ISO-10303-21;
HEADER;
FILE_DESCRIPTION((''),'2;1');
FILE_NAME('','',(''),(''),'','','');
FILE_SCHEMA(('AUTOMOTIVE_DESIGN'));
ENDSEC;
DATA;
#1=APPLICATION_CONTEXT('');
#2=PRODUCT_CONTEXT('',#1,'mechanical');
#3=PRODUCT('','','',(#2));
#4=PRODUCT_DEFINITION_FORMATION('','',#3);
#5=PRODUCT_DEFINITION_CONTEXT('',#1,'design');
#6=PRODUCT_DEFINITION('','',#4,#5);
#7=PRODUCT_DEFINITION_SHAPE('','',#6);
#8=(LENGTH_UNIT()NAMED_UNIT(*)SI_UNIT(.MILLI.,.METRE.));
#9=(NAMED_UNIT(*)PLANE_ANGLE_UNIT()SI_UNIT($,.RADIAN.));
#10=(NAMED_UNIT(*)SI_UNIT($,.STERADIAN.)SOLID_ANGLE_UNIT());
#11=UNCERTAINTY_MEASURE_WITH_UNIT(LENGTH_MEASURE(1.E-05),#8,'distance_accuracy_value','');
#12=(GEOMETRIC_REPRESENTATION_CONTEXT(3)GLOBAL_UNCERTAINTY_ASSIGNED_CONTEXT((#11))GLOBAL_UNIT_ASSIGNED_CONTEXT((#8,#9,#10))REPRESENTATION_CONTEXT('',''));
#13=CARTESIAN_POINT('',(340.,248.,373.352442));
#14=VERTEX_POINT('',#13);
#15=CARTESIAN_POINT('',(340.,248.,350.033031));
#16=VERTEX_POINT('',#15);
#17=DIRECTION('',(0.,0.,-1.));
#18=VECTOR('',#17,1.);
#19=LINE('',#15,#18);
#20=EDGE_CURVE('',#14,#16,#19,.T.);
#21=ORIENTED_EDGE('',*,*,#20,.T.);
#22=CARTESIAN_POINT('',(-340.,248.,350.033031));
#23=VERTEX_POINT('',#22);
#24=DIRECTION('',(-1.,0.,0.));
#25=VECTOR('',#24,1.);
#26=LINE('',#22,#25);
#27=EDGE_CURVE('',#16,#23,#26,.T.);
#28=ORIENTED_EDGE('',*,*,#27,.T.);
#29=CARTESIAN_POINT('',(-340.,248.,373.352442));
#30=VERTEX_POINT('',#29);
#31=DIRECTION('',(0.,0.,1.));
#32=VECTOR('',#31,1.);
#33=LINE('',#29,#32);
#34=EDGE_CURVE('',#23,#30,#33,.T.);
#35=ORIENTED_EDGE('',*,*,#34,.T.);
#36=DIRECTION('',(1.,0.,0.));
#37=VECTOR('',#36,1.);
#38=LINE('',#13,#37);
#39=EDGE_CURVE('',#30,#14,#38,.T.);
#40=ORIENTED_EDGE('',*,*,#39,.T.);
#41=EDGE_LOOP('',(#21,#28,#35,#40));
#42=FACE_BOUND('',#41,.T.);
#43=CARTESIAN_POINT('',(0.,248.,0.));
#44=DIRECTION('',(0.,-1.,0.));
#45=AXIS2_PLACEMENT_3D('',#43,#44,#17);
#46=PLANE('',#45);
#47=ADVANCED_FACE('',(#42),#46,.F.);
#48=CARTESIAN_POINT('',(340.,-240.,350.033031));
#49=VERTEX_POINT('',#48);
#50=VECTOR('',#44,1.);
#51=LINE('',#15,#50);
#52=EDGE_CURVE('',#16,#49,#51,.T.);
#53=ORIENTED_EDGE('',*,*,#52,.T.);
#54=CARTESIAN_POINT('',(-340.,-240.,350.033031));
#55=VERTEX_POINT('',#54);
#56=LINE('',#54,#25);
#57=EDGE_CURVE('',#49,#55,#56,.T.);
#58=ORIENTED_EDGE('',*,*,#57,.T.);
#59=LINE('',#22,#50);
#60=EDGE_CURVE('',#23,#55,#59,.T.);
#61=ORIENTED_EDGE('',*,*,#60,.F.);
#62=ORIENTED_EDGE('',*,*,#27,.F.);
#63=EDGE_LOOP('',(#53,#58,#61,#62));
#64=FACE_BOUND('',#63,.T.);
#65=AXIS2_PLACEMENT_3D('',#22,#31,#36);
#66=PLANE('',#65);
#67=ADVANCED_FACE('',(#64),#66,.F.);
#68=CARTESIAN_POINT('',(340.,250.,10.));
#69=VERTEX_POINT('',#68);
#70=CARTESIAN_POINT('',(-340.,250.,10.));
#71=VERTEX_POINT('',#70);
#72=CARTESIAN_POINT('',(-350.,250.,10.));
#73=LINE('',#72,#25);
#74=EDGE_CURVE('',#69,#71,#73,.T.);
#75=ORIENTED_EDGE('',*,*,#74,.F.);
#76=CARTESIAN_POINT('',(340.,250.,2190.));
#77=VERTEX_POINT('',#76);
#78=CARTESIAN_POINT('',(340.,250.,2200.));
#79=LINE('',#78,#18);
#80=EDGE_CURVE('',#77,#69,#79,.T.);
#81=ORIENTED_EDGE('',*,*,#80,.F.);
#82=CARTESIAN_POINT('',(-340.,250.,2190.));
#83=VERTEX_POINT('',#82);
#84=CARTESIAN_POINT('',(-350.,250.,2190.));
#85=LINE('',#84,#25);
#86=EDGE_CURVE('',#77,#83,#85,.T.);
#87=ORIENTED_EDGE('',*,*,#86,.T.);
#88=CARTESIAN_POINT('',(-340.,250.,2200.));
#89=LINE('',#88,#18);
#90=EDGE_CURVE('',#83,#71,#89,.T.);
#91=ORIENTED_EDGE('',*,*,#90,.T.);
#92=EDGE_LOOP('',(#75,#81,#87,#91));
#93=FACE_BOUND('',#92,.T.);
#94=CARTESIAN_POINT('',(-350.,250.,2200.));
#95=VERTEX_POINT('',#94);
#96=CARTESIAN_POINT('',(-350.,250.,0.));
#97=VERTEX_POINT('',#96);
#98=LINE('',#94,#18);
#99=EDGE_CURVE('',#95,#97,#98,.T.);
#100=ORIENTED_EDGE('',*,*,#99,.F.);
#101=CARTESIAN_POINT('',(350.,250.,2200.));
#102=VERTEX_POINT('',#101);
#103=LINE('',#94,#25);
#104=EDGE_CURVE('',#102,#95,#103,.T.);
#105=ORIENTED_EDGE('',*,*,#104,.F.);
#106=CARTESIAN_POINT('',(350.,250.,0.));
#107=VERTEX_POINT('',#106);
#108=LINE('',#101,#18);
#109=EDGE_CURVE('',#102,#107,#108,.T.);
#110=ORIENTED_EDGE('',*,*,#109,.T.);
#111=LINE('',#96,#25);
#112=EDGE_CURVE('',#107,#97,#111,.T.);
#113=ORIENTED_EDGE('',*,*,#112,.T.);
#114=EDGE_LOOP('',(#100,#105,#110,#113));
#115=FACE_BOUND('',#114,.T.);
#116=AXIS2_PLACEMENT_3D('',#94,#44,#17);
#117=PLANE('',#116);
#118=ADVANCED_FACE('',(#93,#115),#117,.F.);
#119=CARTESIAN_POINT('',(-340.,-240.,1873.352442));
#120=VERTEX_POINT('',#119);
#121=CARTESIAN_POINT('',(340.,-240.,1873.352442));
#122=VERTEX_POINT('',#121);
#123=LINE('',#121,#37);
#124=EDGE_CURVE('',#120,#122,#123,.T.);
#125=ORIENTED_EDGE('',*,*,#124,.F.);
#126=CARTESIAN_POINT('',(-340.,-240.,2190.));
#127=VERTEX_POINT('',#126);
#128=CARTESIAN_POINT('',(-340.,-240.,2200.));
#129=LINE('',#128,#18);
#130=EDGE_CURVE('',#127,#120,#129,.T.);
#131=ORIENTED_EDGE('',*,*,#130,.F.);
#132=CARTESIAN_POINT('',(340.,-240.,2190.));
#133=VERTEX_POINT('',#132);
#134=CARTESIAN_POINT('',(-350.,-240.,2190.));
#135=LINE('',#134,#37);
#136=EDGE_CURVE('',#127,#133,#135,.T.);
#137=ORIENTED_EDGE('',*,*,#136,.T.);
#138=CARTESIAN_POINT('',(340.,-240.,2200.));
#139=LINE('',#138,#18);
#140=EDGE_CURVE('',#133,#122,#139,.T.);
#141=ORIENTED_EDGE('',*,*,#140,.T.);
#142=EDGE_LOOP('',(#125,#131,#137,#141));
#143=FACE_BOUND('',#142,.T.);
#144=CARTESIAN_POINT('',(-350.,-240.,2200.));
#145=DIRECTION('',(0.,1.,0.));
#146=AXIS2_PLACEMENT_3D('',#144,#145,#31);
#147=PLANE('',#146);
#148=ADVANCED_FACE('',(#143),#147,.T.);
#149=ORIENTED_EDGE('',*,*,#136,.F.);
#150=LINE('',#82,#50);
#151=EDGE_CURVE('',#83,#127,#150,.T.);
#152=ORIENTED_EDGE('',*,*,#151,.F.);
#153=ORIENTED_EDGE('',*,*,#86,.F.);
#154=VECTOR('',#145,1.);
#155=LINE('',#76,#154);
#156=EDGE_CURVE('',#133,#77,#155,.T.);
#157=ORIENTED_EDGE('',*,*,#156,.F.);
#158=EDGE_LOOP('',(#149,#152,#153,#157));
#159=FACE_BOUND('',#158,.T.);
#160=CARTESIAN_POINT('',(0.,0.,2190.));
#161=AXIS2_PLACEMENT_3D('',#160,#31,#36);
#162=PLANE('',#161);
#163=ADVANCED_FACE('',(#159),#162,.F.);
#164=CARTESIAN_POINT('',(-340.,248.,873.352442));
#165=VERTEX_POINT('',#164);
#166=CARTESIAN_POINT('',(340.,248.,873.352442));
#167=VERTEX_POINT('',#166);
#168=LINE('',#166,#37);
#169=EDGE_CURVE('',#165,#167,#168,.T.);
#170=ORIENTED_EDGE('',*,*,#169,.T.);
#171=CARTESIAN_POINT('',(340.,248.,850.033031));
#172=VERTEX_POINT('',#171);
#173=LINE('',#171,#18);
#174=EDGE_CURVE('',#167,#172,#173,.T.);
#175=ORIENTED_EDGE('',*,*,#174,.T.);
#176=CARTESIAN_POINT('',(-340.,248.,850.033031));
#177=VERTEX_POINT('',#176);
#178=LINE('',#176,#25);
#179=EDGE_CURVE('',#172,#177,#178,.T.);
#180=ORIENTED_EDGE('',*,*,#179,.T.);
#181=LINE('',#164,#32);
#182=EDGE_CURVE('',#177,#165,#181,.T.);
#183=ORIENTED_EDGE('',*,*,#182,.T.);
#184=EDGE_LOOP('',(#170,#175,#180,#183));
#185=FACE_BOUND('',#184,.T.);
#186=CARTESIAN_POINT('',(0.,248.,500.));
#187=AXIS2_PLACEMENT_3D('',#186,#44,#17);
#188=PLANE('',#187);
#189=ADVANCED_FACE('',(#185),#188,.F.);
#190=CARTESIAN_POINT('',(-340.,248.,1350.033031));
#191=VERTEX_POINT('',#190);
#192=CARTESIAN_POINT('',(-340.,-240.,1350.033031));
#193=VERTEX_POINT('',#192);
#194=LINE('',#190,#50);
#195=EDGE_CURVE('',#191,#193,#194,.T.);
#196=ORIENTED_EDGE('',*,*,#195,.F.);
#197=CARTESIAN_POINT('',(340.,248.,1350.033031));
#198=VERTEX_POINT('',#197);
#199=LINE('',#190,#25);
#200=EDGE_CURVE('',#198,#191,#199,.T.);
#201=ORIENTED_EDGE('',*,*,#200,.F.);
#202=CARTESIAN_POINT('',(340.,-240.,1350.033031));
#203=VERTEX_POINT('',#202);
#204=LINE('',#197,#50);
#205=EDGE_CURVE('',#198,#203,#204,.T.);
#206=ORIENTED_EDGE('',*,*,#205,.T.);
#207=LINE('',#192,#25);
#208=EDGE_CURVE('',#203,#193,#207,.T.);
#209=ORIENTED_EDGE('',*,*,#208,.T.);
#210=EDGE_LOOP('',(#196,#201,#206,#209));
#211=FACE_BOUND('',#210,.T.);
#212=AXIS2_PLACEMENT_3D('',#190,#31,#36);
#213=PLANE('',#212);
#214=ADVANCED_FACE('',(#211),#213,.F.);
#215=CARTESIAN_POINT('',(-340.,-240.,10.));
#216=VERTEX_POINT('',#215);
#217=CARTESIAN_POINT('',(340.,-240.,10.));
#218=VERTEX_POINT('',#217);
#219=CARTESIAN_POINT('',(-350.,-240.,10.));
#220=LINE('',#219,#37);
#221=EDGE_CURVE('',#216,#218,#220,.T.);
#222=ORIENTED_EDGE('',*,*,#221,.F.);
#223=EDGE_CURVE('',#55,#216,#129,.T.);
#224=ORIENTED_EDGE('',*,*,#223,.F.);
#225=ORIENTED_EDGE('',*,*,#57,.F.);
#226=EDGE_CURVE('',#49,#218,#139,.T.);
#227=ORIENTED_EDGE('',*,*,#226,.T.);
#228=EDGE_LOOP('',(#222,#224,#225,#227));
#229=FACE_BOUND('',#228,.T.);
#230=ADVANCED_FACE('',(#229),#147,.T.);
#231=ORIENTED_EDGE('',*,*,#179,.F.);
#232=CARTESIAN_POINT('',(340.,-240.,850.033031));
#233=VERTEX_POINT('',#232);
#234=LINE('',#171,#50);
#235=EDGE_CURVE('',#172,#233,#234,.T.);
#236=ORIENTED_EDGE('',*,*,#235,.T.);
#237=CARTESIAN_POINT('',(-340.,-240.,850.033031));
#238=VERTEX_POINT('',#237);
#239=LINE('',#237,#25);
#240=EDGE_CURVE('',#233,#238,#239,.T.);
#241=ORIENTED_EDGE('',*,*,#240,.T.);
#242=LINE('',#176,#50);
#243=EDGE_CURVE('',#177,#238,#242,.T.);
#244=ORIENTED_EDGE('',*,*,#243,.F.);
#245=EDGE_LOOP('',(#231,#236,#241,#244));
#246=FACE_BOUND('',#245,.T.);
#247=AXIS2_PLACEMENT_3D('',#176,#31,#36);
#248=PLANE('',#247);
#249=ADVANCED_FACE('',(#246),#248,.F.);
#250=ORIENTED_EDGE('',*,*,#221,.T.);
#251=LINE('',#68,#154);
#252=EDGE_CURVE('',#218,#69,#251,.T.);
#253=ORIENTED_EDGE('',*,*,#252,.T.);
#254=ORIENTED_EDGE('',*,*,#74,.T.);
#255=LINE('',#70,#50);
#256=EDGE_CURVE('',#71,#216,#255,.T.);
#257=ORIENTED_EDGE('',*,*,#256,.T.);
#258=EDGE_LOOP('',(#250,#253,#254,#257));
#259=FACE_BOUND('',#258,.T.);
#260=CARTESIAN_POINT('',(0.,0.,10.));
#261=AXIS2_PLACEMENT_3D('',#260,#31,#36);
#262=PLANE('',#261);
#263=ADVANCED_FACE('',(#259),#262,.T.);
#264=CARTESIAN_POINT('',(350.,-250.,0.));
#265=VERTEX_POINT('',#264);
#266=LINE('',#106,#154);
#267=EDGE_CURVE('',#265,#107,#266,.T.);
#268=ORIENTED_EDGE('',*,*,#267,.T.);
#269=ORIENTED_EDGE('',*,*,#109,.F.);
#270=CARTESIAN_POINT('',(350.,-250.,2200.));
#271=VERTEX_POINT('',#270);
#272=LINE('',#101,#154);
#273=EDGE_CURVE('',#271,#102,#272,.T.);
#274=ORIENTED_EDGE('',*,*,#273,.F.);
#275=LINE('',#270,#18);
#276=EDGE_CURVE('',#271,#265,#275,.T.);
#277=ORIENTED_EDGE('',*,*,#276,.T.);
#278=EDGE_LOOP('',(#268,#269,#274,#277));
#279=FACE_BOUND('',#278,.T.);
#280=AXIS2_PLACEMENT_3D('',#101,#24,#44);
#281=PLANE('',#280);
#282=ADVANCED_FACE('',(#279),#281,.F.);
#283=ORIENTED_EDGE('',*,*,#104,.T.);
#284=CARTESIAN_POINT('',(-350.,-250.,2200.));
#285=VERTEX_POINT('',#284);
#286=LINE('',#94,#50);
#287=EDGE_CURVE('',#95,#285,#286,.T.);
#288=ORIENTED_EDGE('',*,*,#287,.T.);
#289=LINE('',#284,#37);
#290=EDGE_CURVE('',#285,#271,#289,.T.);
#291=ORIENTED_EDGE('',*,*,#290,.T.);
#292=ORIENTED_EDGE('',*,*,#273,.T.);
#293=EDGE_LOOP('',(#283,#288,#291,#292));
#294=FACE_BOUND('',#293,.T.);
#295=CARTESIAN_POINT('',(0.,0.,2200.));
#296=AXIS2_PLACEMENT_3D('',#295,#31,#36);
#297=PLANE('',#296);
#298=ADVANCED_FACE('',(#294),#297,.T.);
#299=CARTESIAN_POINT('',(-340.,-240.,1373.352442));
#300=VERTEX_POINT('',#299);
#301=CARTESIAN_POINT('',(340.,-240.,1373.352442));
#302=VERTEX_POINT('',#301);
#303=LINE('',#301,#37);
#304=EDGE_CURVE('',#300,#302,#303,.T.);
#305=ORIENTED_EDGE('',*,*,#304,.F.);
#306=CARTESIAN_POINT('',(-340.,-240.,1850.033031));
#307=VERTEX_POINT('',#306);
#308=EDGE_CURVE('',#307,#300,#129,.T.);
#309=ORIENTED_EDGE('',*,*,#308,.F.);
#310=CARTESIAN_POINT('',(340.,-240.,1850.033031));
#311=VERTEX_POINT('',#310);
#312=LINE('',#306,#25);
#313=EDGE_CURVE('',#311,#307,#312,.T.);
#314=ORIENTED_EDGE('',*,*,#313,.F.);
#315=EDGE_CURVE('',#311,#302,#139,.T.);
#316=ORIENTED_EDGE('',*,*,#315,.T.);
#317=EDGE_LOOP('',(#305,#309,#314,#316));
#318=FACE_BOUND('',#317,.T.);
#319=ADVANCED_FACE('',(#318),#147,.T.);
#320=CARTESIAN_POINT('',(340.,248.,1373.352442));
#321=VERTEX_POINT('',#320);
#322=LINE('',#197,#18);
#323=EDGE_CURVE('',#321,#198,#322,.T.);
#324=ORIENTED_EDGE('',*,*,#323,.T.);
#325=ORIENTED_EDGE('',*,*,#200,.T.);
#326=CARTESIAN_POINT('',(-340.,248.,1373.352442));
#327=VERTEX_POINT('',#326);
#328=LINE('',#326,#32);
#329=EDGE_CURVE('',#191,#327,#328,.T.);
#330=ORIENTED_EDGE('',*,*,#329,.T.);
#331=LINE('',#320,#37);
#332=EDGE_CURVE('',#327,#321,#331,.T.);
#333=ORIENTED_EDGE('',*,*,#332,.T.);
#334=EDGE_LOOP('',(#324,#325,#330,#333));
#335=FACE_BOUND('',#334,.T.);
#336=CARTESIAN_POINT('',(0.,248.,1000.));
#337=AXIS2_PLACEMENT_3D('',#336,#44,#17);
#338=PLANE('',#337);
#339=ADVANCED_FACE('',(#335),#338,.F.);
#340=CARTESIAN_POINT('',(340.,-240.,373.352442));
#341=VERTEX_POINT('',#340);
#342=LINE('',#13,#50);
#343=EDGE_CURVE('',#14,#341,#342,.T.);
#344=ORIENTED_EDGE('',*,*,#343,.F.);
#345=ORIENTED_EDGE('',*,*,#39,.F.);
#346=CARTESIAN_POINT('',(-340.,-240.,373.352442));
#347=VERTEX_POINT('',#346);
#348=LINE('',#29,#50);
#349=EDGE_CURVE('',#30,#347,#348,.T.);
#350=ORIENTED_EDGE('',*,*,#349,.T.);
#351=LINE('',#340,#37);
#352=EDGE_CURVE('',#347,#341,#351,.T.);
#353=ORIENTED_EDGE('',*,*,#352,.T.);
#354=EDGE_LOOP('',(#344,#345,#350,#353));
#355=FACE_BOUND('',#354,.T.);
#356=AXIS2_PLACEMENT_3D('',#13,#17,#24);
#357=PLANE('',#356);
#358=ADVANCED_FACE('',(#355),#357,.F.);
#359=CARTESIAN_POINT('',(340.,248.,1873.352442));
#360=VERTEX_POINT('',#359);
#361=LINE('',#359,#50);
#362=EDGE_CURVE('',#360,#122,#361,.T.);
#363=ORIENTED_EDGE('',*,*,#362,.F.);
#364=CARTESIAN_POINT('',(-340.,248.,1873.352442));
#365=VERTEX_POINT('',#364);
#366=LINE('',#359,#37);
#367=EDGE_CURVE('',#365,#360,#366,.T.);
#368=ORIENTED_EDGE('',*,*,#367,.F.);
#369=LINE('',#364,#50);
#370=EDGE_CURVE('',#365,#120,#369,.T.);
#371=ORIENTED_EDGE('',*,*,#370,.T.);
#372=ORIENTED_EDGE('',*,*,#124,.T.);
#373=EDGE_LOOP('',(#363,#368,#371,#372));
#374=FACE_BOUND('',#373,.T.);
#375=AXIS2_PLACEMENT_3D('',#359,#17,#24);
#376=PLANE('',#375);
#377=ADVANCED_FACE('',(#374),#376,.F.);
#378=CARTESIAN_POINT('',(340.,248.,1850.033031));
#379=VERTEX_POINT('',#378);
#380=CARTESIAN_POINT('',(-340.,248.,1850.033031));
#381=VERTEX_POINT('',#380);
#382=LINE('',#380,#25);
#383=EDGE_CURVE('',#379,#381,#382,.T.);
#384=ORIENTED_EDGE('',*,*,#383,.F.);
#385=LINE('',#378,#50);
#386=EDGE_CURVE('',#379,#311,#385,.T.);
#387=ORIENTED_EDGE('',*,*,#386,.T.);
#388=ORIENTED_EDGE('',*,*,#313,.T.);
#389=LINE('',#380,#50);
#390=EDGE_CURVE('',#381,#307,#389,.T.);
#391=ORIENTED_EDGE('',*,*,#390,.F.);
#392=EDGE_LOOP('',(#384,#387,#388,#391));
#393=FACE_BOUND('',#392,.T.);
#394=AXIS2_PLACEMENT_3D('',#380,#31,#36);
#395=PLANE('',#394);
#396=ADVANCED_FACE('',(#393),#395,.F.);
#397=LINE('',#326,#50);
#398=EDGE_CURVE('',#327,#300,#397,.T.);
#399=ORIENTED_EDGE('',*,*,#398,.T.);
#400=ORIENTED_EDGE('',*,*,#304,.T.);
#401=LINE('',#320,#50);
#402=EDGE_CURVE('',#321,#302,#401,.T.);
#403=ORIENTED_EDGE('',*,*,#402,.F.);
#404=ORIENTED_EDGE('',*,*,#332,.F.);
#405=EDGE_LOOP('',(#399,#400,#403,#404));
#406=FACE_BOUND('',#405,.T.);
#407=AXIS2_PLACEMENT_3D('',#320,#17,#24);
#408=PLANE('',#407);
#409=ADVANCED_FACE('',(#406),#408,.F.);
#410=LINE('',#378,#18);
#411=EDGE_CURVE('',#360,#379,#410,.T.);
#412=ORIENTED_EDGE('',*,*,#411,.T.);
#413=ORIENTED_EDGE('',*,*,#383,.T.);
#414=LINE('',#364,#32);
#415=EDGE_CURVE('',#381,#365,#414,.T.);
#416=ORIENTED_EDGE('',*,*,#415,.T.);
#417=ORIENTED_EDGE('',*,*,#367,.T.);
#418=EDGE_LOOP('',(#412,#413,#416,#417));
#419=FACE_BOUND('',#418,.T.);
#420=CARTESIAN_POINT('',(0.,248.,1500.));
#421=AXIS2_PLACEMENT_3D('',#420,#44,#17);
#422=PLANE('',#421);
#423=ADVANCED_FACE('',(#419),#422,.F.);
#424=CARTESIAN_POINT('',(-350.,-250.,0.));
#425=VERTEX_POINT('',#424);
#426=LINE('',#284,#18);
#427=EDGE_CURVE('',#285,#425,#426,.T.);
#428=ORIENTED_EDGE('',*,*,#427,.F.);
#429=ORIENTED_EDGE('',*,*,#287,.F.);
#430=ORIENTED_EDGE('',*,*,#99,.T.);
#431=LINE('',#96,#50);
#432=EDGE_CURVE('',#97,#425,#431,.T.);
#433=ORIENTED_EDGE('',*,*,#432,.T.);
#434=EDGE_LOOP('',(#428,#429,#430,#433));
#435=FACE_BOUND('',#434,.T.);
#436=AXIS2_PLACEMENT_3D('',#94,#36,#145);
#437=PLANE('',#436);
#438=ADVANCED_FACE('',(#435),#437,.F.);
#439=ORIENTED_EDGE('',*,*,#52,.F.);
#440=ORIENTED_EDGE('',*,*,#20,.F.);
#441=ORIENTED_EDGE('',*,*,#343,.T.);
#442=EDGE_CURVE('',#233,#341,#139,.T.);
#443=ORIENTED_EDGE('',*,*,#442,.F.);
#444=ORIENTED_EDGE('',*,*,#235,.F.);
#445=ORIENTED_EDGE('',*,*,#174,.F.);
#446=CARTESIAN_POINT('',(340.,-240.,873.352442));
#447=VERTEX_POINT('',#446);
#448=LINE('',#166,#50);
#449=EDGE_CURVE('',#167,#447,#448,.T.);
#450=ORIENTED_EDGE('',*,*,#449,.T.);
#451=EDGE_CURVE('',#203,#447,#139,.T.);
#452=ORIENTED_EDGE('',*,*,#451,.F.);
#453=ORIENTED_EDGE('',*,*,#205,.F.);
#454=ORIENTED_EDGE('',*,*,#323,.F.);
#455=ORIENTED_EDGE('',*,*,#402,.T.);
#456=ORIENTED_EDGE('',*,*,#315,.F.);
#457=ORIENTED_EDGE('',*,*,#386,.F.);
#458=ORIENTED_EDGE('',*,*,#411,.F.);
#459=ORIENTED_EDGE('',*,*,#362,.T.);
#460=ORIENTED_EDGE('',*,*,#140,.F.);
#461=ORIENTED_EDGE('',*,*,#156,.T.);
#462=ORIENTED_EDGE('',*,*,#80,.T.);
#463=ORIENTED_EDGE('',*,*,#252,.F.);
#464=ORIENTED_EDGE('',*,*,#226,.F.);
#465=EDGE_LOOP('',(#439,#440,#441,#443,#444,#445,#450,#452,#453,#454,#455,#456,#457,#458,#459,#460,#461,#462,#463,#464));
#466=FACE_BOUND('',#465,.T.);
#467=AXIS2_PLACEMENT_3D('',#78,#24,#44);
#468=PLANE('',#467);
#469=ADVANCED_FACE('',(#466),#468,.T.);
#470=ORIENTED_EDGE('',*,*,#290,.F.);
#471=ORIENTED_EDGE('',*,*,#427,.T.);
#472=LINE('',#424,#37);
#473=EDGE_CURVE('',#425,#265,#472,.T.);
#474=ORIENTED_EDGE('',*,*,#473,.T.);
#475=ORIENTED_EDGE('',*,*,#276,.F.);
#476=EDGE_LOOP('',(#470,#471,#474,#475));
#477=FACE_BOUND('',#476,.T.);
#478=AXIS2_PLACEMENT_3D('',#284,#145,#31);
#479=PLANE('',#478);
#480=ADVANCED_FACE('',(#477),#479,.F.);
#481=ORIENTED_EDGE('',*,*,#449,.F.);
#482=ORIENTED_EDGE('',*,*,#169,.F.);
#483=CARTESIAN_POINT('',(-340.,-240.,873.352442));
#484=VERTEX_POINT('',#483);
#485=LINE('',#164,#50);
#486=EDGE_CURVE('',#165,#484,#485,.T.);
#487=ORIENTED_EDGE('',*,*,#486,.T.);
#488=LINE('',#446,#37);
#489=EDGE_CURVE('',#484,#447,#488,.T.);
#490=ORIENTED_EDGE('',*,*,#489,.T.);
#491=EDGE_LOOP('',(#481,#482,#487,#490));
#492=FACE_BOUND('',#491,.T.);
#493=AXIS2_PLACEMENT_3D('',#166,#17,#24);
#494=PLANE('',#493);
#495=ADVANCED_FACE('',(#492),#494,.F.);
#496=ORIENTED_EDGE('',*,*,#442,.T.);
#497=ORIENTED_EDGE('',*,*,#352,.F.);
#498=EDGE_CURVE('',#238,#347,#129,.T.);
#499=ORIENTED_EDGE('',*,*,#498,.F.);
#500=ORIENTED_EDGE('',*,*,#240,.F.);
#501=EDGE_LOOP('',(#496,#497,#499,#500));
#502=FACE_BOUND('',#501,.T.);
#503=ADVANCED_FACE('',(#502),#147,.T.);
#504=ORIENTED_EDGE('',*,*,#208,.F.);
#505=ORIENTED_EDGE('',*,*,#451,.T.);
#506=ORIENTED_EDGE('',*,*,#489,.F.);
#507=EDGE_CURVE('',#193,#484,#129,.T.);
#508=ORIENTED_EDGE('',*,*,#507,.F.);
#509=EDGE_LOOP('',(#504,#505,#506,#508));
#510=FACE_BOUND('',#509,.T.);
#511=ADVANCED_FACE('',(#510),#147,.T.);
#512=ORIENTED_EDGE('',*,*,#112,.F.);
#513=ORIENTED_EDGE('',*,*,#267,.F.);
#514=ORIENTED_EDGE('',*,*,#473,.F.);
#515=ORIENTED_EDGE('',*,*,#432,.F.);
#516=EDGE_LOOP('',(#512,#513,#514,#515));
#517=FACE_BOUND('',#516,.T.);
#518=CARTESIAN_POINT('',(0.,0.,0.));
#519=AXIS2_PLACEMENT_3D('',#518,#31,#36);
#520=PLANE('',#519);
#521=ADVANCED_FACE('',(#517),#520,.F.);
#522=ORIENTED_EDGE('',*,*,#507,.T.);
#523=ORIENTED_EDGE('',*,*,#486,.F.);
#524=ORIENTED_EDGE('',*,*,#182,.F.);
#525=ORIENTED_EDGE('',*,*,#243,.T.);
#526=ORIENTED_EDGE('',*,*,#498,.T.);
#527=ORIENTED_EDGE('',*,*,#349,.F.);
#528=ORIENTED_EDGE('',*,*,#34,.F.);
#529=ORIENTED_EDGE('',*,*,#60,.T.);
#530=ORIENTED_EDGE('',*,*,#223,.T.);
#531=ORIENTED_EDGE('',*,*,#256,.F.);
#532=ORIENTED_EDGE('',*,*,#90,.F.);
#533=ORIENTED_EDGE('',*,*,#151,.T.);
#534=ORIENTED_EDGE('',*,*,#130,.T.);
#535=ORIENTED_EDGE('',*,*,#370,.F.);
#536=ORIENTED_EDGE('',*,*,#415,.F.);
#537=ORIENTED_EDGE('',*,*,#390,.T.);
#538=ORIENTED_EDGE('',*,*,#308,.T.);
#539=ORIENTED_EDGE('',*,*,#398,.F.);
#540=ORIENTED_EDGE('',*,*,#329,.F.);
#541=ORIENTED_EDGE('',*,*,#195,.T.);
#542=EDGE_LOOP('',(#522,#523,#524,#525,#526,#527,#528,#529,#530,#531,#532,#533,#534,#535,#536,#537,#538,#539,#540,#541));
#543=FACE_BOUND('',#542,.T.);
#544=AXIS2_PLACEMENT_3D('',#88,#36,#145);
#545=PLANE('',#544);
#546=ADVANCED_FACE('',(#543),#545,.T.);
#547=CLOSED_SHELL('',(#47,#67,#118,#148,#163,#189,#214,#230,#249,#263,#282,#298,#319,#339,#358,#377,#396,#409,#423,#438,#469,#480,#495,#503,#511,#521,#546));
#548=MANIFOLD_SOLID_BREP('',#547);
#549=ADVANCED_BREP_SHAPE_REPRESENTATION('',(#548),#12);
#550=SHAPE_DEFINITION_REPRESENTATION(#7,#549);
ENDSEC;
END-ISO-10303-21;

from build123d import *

# Parameters (mm, degrees)
CROQUIS1_W              = 700
CROQUIS1_H              = 500
SALIENTE_EXTRUIR1_DEPTH = 2200
VACIADO1_T              = -10
CROQUIS2_W              = 680
CROQUIS2_H              = 23.319411046
SALIENTE_EXTRUIR2_DEPTH = 488
MATRIZL1_COUNT          = 4
MATRIZL1_PITCH          = 500


with BuildPart() as part:
    # Croquis1 → Saliente-Extruir1 (new body)
    with BuildSketch(Plane.XY):
        Rectangle(CROQUIS1_W, CROQUIS1_H)
    extrude(amount=SALIENTE_EXTRUIR1_DEPTH)

    # Vaciado1
    vaciado1_openings = [part.faces().sort_by_distance(p)[0] for p in [
        (0, 250, 1100),
    ]]
    offset(amount=VACIADO1_T, openings=vaciado1_openings, kind=Kind.INTERSECTION)

    # Croquis2 → Saliente-Extruir2 (add)
    with BuildSketch(Plane(origin=(0, -240, 0), x_dir=(1, 0, 0), z_dir=(0, 1, 0))):
        with Locations((0, -361.692736208)):
            Rectangle(CROQUIS2_W, CROQUIS2_H)
    saliente_extruir2 = extrude(amount=SALIENTE_EXTRUIR2_DEPTH)

    # MatrizL1: Saliente-Extruir2 ×4
    with Locations(*[(0, 0, i * MATRIZL1_PITCH) for i in range(1, MATRIZL1_COUNT)]):
        add(saliente_extruir2)


solid = part.part
